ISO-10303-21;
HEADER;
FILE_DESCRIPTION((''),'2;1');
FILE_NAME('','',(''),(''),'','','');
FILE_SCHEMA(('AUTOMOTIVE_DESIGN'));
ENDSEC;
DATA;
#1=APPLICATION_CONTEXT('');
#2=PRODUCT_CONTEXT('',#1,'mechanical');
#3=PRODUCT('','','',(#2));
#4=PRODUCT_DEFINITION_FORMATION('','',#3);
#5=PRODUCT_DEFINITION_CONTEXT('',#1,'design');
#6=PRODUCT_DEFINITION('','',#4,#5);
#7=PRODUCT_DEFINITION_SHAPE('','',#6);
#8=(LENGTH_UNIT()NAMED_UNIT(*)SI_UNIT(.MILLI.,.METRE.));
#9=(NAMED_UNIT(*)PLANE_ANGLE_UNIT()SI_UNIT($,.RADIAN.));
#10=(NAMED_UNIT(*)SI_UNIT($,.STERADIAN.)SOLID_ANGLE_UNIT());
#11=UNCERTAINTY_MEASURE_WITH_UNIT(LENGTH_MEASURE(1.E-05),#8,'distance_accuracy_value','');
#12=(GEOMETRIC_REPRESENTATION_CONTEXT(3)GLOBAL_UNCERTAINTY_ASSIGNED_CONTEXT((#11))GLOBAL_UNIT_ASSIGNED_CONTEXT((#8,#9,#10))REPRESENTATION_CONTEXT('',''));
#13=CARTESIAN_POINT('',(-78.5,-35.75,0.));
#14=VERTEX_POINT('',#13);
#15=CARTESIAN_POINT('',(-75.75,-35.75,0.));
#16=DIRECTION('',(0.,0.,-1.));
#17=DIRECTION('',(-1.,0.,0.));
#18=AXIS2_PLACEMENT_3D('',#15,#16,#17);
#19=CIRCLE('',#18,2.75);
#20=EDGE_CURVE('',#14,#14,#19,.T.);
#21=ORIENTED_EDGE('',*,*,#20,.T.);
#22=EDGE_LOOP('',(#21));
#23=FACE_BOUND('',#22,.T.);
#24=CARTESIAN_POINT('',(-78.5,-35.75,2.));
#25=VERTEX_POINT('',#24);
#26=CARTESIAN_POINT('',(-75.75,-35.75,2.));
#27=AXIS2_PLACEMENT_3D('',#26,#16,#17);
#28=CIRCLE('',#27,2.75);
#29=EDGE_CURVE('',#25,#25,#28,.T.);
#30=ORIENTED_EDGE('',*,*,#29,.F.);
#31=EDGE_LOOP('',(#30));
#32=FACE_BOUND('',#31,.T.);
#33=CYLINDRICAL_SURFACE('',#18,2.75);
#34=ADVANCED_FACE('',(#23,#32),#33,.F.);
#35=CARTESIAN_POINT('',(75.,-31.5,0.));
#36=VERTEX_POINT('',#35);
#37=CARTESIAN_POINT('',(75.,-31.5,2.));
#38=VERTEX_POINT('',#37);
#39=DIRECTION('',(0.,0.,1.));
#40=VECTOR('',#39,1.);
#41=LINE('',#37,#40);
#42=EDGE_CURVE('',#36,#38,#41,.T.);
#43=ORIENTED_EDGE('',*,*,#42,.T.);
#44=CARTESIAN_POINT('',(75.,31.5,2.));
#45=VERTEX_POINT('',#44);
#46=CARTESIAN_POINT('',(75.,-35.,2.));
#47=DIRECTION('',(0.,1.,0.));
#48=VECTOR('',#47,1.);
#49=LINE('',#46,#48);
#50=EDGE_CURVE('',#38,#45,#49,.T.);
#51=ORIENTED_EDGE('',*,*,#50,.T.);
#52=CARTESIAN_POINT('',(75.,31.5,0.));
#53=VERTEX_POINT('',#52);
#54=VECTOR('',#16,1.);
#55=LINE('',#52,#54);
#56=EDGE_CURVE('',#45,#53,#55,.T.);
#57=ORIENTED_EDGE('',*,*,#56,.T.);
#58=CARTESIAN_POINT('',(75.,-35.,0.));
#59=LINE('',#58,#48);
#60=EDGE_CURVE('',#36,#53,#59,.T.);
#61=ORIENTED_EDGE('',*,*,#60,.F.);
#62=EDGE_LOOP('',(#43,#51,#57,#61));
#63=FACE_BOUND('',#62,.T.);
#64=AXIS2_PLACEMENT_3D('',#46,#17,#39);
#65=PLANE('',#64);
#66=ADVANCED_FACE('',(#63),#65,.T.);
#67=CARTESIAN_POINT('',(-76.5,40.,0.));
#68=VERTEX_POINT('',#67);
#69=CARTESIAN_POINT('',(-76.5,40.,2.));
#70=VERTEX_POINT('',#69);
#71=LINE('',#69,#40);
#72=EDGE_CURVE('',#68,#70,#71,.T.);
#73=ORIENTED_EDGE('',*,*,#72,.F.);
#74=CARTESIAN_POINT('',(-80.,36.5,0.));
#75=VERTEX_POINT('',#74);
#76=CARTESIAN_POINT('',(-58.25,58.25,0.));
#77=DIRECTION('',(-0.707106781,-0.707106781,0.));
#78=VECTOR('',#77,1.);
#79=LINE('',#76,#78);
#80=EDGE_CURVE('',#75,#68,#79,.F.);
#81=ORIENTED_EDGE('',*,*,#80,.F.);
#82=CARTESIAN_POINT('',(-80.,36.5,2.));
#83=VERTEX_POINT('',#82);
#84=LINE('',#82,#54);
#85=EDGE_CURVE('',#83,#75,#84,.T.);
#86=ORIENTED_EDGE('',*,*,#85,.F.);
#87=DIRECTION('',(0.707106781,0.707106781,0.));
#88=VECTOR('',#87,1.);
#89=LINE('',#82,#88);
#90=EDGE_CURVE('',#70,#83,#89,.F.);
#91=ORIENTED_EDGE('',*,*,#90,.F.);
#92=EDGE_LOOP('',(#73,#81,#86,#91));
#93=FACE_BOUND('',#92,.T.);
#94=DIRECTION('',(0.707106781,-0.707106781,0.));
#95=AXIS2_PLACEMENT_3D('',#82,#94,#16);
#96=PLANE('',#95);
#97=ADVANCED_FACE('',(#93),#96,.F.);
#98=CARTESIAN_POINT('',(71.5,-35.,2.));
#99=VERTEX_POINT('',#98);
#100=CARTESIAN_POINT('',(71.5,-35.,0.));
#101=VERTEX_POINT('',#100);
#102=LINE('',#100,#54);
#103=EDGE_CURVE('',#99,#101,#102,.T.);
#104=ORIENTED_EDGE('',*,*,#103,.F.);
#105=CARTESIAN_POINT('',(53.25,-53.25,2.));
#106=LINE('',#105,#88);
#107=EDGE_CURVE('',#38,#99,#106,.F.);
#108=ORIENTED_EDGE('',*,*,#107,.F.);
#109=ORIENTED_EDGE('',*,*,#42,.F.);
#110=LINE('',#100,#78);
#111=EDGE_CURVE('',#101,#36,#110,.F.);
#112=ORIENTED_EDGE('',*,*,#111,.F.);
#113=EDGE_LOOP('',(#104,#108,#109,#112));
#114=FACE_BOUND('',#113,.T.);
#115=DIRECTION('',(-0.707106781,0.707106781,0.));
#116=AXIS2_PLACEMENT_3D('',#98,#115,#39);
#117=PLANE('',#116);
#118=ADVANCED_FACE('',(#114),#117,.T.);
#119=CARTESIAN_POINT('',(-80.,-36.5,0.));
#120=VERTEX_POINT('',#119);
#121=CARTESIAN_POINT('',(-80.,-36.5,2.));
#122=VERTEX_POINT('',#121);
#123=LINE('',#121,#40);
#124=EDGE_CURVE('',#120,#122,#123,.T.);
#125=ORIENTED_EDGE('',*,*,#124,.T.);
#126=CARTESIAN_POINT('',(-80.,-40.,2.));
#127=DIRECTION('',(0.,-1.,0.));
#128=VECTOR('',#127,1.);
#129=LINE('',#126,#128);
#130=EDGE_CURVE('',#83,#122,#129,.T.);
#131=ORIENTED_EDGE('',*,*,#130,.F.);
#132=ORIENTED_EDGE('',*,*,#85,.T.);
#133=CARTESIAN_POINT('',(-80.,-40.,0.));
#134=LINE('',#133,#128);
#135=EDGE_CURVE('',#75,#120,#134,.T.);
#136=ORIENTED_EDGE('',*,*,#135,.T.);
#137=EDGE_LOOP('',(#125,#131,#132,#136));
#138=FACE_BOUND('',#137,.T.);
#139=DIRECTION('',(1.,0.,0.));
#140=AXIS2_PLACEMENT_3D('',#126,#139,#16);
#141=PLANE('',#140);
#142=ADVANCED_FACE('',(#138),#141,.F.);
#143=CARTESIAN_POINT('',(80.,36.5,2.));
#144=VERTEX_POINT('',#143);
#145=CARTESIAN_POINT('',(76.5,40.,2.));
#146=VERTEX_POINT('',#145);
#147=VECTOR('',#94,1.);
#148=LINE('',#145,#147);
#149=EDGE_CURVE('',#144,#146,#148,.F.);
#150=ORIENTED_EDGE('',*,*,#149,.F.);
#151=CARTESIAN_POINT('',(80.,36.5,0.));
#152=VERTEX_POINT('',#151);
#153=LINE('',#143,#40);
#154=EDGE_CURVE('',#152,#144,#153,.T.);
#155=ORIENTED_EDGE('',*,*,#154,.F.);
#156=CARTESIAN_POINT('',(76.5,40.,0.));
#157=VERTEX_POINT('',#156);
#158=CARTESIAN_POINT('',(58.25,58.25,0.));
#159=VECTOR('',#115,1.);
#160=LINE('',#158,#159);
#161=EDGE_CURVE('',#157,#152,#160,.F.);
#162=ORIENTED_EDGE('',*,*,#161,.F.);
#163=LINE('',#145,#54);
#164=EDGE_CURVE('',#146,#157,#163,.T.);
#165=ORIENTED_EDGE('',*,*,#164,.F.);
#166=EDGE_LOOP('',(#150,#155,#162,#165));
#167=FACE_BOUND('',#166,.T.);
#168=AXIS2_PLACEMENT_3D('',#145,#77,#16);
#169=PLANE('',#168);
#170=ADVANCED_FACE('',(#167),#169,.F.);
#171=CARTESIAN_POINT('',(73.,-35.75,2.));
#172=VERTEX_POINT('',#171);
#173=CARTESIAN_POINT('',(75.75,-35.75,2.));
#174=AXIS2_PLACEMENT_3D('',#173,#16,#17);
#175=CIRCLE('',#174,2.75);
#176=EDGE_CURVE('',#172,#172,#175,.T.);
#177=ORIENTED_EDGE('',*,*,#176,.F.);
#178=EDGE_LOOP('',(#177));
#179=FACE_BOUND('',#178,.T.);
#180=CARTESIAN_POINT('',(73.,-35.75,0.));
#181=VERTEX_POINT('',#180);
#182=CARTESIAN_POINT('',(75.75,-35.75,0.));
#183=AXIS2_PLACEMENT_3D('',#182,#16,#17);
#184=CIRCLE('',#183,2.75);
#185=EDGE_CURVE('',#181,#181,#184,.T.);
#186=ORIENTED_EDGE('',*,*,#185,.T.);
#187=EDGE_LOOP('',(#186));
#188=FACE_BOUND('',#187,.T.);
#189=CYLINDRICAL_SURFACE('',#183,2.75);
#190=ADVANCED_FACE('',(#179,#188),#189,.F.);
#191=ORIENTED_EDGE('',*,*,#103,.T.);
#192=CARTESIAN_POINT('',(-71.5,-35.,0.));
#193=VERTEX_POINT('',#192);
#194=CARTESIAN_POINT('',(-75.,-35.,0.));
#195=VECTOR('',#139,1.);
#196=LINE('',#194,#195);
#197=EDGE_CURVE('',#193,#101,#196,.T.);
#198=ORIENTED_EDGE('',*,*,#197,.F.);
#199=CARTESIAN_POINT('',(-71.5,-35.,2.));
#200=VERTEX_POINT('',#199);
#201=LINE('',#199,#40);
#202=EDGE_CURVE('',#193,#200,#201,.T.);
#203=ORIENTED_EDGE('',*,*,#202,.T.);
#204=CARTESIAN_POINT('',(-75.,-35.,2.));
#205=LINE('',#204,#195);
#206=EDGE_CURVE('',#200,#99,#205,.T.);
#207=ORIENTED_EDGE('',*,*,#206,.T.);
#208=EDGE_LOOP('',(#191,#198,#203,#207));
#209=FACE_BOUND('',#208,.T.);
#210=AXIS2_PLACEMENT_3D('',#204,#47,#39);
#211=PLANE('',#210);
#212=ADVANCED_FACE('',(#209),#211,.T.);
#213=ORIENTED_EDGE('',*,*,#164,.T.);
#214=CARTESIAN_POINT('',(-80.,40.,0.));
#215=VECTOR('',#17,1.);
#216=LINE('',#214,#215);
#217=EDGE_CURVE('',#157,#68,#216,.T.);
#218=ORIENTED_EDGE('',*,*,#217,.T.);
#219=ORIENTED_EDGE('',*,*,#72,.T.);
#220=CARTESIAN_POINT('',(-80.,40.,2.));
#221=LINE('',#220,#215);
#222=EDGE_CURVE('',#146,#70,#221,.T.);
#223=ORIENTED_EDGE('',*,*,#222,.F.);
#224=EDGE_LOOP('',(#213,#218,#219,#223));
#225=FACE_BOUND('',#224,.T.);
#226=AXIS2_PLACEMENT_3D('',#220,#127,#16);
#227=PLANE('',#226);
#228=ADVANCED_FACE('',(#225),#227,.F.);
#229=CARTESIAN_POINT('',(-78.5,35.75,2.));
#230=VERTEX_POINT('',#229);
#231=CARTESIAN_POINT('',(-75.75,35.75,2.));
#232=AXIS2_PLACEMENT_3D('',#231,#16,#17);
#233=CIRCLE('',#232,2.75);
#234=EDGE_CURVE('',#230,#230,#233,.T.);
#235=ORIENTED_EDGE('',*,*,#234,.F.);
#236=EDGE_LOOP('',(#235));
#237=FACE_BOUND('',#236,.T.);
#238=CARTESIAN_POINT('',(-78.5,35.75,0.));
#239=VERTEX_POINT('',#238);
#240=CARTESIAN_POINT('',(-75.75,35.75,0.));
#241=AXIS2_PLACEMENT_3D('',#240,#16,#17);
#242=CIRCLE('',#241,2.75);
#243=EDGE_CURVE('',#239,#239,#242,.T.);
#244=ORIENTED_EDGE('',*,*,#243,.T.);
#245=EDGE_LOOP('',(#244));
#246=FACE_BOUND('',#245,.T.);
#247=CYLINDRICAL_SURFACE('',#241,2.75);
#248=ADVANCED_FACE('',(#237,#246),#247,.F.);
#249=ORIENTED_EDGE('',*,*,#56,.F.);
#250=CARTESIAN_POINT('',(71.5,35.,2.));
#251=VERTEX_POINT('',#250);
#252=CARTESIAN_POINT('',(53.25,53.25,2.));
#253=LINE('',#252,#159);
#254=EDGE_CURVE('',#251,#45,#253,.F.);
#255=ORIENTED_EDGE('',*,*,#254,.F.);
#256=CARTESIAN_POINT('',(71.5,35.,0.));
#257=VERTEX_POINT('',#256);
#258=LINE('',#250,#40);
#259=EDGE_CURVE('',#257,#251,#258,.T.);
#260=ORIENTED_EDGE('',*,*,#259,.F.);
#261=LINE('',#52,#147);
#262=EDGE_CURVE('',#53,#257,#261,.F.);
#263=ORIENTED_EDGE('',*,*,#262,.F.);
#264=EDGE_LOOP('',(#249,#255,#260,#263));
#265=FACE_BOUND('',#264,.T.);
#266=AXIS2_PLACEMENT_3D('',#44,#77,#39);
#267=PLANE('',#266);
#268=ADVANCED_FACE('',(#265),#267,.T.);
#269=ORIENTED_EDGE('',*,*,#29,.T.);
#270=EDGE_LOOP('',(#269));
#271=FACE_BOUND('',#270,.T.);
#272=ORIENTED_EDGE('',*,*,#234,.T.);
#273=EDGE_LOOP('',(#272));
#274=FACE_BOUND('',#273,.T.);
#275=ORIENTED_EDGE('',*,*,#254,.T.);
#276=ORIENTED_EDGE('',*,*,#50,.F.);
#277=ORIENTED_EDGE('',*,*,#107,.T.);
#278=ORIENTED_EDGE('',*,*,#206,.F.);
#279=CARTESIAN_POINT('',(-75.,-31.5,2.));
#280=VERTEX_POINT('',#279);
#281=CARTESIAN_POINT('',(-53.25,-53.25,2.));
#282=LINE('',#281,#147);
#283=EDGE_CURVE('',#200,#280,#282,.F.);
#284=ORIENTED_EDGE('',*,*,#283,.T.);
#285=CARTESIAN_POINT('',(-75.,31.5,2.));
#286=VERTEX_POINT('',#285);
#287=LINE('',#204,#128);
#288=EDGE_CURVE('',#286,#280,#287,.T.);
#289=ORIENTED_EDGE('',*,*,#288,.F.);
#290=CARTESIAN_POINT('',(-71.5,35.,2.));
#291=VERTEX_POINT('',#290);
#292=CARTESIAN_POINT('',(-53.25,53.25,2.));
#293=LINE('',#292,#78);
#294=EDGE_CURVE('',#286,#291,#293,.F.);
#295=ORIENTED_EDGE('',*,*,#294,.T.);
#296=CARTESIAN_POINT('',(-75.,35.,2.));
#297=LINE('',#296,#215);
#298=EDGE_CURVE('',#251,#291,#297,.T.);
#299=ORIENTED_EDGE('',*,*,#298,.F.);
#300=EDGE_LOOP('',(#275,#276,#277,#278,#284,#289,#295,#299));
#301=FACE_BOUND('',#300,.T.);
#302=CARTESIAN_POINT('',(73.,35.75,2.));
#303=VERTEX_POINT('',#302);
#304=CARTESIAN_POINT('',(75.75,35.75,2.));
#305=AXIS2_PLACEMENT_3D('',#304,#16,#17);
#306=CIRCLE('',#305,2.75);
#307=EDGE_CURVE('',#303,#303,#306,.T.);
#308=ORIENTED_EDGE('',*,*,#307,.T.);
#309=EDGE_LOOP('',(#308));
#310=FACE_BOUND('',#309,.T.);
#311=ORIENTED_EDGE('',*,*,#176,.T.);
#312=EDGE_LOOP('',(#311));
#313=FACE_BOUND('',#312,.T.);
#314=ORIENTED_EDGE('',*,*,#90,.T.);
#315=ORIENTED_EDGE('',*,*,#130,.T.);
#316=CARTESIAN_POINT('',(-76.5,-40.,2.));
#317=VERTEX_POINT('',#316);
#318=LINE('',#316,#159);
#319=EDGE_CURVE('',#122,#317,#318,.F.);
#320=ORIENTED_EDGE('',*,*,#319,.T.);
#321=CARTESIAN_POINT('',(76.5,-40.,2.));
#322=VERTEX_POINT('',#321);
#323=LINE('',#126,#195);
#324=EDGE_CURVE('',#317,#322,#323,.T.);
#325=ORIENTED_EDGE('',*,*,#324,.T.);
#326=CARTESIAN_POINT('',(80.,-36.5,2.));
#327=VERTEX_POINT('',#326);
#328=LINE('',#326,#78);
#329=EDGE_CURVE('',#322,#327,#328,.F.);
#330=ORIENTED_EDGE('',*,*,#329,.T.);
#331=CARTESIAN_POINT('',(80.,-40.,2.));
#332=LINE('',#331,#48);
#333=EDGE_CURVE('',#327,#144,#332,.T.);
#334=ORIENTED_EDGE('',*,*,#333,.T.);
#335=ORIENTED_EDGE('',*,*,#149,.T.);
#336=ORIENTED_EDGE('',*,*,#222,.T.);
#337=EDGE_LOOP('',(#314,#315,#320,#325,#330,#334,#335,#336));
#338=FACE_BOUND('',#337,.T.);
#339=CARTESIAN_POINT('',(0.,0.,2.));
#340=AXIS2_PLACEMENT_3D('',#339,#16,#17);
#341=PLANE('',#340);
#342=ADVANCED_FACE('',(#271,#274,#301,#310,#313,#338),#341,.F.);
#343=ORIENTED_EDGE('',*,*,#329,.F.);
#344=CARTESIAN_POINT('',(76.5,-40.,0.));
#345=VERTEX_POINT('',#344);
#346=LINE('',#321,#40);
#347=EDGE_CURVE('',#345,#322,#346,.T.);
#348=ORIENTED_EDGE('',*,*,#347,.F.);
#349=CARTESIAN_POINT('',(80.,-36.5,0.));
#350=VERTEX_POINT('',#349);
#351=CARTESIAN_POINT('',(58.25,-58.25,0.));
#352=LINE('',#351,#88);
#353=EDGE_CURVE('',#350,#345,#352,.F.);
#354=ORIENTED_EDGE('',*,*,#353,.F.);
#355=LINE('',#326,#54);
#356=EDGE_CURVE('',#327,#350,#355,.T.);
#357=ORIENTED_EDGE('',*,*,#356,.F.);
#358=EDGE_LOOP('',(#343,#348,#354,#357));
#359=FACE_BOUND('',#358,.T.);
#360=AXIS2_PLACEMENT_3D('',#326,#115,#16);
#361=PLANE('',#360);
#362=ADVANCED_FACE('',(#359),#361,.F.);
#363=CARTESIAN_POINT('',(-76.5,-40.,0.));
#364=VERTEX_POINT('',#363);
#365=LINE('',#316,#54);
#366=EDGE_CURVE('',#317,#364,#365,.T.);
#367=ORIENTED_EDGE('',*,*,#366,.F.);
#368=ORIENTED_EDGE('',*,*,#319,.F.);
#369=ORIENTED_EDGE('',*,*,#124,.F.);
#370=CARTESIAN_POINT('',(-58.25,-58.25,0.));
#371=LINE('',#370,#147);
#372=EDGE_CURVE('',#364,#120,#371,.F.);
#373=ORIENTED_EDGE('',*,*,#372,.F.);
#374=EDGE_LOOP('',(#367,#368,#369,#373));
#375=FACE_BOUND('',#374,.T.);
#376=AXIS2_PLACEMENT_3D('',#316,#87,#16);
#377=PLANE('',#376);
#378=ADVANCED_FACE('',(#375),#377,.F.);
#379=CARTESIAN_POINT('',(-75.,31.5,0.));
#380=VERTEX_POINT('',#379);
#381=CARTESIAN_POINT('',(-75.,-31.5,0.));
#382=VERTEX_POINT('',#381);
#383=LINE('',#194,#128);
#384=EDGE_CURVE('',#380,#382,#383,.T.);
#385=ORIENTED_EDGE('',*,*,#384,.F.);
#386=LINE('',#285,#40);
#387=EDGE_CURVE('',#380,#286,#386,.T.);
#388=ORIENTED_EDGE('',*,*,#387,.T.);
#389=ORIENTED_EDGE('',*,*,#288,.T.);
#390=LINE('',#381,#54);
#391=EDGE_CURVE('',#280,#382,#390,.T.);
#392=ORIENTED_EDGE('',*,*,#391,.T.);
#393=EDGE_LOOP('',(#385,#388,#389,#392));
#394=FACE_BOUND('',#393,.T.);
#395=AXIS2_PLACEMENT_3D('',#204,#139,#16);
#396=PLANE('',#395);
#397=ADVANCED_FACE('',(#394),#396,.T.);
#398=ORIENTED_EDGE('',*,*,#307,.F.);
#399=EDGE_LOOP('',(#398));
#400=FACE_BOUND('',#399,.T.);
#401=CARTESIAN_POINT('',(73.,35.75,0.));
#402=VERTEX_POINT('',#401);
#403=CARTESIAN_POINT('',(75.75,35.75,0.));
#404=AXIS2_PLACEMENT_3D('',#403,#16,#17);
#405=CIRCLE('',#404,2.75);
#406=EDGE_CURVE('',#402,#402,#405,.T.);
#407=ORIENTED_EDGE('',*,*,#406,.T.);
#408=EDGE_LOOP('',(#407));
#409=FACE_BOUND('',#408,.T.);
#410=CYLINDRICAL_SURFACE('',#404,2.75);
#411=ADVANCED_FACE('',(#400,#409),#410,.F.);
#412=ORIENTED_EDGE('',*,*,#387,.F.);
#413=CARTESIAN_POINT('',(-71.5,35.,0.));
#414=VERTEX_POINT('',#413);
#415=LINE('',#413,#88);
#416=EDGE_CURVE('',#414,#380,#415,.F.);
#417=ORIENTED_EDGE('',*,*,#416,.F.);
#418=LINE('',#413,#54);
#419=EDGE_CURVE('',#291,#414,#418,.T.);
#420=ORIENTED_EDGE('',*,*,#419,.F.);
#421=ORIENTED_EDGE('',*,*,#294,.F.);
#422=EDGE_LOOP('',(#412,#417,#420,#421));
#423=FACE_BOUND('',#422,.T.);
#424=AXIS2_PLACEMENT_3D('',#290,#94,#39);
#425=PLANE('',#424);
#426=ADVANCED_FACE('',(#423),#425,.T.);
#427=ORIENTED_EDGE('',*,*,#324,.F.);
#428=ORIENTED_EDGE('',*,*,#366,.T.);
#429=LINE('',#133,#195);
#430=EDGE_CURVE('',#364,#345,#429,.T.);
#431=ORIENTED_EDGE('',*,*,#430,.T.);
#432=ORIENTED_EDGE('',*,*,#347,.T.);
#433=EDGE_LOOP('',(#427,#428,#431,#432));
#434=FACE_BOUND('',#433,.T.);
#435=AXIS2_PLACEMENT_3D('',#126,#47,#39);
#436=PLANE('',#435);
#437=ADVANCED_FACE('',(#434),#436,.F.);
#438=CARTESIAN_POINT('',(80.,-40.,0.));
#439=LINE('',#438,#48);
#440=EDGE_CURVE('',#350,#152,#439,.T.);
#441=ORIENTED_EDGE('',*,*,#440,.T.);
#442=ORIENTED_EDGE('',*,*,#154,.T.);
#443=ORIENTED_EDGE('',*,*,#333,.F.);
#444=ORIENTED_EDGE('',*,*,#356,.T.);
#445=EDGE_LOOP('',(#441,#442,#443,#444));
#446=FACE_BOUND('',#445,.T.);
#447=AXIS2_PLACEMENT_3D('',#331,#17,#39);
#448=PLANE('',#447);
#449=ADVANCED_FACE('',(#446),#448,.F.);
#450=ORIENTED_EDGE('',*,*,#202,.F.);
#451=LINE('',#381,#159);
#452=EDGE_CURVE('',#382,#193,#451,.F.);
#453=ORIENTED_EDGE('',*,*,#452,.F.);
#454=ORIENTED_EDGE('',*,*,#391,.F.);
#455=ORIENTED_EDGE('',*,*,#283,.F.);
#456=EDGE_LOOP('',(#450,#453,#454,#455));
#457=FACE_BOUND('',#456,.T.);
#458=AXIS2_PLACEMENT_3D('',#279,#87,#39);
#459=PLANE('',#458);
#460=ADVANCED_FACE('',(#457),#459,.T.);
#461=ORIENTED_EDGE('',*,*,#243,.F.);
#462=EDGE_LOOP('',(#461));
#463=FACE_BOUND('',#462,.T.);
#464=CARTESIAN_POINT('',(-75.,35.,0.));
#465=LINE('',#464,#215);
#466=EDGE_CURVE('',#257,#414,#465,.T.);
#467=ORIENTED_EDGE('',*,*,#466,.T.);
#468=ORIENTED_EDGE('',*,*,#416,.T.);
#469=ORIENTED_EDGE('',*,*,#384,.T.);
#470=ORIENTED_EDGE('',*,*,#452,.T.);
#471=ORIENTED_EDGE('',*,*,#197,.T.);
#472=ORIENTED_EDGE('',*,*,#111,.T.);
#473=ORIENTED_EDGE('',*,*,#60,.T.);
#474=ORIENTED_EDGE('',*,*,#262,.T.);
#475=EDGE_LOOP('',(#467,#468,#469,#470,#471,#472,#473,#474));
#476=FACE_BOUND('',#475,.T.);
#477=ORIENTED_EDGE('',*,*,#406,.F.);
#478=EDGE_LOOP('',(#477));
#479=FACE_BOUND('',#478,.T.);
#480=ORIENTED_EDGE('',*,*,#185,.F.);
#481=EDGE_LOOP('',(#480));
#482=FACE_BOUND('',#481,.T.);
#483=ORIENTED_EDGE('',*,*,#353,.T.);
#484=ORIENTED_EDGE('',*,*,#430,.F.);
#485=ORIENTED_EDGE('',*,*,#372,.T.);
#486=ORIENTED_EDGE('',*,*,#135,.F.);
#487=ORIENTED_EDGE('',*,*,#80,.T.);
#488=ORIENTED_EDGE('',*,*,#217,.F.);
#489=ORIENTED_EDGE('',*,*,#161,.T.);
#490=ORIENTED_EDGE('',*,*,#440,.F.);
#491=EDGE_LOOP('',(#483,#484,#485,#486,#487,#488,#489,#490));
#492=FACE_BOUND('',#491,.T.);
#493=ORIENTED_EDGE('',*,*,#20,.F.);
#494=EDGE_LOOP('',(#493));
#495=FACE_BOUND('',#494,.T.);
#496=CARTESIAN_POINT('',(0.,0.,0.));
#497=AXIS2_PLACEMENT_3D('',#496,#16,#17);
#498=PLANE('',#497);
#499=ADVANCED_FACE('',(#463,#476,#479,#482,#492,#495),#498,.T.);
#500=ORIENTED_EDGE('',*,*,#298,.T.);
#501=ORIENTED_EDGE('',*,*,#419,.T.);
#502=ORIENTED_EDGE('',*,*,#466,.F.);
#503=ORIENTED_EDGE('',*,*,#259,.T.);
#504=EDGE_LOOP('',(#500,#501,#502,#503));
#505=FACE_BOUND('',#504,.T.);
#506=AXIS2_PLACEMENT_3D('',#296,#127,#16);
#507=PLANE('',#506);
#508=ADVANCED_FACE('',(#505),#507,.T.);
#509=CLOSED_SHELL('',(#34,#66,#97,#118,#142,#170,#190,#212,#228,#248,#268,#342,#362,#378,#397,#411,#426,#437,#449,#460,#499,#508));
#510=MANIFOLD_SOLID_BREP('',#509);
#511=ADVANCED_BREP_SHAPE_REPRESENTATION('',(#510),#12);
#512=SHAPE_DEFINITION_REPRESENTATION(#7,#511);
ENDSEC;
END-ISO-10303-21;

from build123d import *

# Parameters (mm, degrees)
SKETCH1_W            = 160
SKETCH1_H            = 80
SKETCH1_W_2          = 150
SKETCH1_H_2          = 70
BOSS_EXTRUDE1_DEPTH  = 2
CHAMFER1_SIZE        = 3.5
M5_CLEARANCE_HOLE1_D = 5.5


with BuildPart() as part:
    # Sketch1 → Boss-Extrude1 (new body)
    with BuildSketch(Plane.XY):
        Rectangle(SKETCH1_W, SKETCH1_H)
        Rectangle(SKETCH1_W_2, SKETCH1_H_2, mode=Mode.SUBTRACT)
    extrude(amount=BOSS_EXTRUDE1_DEPTH)

    # Chamfer1
    chamfer1_edges = [part.edges().sort_by_distance(p)[0] for p in [
        (-75, 35, 1),
        (-75, -35, 1),
        (75, -35, 1),
        (75, 35, 1),
        (80, -40, 1),
        (-80, -40, 1),
        (-80, 40, 1),
        (80, 40, 1),
    ]]
    chamfer(chamfer1_edges, length=CHAMFER1_SIZE)

    # M5 Clearance Hole1 (through all)
    with Locations(Plane(origin=(0, 0, 0), x_dir=(-1, 0, 0), z_dir=(0, 0, -1))):
        with Locations((0, 0), (-75.75, 35.75), (75.75, -35.75), (75.75, 35.75), (-75.75, -35.75)):
            Hole(M5_CLEARANCE_HOLE1_D / 2)


solid = part.part
